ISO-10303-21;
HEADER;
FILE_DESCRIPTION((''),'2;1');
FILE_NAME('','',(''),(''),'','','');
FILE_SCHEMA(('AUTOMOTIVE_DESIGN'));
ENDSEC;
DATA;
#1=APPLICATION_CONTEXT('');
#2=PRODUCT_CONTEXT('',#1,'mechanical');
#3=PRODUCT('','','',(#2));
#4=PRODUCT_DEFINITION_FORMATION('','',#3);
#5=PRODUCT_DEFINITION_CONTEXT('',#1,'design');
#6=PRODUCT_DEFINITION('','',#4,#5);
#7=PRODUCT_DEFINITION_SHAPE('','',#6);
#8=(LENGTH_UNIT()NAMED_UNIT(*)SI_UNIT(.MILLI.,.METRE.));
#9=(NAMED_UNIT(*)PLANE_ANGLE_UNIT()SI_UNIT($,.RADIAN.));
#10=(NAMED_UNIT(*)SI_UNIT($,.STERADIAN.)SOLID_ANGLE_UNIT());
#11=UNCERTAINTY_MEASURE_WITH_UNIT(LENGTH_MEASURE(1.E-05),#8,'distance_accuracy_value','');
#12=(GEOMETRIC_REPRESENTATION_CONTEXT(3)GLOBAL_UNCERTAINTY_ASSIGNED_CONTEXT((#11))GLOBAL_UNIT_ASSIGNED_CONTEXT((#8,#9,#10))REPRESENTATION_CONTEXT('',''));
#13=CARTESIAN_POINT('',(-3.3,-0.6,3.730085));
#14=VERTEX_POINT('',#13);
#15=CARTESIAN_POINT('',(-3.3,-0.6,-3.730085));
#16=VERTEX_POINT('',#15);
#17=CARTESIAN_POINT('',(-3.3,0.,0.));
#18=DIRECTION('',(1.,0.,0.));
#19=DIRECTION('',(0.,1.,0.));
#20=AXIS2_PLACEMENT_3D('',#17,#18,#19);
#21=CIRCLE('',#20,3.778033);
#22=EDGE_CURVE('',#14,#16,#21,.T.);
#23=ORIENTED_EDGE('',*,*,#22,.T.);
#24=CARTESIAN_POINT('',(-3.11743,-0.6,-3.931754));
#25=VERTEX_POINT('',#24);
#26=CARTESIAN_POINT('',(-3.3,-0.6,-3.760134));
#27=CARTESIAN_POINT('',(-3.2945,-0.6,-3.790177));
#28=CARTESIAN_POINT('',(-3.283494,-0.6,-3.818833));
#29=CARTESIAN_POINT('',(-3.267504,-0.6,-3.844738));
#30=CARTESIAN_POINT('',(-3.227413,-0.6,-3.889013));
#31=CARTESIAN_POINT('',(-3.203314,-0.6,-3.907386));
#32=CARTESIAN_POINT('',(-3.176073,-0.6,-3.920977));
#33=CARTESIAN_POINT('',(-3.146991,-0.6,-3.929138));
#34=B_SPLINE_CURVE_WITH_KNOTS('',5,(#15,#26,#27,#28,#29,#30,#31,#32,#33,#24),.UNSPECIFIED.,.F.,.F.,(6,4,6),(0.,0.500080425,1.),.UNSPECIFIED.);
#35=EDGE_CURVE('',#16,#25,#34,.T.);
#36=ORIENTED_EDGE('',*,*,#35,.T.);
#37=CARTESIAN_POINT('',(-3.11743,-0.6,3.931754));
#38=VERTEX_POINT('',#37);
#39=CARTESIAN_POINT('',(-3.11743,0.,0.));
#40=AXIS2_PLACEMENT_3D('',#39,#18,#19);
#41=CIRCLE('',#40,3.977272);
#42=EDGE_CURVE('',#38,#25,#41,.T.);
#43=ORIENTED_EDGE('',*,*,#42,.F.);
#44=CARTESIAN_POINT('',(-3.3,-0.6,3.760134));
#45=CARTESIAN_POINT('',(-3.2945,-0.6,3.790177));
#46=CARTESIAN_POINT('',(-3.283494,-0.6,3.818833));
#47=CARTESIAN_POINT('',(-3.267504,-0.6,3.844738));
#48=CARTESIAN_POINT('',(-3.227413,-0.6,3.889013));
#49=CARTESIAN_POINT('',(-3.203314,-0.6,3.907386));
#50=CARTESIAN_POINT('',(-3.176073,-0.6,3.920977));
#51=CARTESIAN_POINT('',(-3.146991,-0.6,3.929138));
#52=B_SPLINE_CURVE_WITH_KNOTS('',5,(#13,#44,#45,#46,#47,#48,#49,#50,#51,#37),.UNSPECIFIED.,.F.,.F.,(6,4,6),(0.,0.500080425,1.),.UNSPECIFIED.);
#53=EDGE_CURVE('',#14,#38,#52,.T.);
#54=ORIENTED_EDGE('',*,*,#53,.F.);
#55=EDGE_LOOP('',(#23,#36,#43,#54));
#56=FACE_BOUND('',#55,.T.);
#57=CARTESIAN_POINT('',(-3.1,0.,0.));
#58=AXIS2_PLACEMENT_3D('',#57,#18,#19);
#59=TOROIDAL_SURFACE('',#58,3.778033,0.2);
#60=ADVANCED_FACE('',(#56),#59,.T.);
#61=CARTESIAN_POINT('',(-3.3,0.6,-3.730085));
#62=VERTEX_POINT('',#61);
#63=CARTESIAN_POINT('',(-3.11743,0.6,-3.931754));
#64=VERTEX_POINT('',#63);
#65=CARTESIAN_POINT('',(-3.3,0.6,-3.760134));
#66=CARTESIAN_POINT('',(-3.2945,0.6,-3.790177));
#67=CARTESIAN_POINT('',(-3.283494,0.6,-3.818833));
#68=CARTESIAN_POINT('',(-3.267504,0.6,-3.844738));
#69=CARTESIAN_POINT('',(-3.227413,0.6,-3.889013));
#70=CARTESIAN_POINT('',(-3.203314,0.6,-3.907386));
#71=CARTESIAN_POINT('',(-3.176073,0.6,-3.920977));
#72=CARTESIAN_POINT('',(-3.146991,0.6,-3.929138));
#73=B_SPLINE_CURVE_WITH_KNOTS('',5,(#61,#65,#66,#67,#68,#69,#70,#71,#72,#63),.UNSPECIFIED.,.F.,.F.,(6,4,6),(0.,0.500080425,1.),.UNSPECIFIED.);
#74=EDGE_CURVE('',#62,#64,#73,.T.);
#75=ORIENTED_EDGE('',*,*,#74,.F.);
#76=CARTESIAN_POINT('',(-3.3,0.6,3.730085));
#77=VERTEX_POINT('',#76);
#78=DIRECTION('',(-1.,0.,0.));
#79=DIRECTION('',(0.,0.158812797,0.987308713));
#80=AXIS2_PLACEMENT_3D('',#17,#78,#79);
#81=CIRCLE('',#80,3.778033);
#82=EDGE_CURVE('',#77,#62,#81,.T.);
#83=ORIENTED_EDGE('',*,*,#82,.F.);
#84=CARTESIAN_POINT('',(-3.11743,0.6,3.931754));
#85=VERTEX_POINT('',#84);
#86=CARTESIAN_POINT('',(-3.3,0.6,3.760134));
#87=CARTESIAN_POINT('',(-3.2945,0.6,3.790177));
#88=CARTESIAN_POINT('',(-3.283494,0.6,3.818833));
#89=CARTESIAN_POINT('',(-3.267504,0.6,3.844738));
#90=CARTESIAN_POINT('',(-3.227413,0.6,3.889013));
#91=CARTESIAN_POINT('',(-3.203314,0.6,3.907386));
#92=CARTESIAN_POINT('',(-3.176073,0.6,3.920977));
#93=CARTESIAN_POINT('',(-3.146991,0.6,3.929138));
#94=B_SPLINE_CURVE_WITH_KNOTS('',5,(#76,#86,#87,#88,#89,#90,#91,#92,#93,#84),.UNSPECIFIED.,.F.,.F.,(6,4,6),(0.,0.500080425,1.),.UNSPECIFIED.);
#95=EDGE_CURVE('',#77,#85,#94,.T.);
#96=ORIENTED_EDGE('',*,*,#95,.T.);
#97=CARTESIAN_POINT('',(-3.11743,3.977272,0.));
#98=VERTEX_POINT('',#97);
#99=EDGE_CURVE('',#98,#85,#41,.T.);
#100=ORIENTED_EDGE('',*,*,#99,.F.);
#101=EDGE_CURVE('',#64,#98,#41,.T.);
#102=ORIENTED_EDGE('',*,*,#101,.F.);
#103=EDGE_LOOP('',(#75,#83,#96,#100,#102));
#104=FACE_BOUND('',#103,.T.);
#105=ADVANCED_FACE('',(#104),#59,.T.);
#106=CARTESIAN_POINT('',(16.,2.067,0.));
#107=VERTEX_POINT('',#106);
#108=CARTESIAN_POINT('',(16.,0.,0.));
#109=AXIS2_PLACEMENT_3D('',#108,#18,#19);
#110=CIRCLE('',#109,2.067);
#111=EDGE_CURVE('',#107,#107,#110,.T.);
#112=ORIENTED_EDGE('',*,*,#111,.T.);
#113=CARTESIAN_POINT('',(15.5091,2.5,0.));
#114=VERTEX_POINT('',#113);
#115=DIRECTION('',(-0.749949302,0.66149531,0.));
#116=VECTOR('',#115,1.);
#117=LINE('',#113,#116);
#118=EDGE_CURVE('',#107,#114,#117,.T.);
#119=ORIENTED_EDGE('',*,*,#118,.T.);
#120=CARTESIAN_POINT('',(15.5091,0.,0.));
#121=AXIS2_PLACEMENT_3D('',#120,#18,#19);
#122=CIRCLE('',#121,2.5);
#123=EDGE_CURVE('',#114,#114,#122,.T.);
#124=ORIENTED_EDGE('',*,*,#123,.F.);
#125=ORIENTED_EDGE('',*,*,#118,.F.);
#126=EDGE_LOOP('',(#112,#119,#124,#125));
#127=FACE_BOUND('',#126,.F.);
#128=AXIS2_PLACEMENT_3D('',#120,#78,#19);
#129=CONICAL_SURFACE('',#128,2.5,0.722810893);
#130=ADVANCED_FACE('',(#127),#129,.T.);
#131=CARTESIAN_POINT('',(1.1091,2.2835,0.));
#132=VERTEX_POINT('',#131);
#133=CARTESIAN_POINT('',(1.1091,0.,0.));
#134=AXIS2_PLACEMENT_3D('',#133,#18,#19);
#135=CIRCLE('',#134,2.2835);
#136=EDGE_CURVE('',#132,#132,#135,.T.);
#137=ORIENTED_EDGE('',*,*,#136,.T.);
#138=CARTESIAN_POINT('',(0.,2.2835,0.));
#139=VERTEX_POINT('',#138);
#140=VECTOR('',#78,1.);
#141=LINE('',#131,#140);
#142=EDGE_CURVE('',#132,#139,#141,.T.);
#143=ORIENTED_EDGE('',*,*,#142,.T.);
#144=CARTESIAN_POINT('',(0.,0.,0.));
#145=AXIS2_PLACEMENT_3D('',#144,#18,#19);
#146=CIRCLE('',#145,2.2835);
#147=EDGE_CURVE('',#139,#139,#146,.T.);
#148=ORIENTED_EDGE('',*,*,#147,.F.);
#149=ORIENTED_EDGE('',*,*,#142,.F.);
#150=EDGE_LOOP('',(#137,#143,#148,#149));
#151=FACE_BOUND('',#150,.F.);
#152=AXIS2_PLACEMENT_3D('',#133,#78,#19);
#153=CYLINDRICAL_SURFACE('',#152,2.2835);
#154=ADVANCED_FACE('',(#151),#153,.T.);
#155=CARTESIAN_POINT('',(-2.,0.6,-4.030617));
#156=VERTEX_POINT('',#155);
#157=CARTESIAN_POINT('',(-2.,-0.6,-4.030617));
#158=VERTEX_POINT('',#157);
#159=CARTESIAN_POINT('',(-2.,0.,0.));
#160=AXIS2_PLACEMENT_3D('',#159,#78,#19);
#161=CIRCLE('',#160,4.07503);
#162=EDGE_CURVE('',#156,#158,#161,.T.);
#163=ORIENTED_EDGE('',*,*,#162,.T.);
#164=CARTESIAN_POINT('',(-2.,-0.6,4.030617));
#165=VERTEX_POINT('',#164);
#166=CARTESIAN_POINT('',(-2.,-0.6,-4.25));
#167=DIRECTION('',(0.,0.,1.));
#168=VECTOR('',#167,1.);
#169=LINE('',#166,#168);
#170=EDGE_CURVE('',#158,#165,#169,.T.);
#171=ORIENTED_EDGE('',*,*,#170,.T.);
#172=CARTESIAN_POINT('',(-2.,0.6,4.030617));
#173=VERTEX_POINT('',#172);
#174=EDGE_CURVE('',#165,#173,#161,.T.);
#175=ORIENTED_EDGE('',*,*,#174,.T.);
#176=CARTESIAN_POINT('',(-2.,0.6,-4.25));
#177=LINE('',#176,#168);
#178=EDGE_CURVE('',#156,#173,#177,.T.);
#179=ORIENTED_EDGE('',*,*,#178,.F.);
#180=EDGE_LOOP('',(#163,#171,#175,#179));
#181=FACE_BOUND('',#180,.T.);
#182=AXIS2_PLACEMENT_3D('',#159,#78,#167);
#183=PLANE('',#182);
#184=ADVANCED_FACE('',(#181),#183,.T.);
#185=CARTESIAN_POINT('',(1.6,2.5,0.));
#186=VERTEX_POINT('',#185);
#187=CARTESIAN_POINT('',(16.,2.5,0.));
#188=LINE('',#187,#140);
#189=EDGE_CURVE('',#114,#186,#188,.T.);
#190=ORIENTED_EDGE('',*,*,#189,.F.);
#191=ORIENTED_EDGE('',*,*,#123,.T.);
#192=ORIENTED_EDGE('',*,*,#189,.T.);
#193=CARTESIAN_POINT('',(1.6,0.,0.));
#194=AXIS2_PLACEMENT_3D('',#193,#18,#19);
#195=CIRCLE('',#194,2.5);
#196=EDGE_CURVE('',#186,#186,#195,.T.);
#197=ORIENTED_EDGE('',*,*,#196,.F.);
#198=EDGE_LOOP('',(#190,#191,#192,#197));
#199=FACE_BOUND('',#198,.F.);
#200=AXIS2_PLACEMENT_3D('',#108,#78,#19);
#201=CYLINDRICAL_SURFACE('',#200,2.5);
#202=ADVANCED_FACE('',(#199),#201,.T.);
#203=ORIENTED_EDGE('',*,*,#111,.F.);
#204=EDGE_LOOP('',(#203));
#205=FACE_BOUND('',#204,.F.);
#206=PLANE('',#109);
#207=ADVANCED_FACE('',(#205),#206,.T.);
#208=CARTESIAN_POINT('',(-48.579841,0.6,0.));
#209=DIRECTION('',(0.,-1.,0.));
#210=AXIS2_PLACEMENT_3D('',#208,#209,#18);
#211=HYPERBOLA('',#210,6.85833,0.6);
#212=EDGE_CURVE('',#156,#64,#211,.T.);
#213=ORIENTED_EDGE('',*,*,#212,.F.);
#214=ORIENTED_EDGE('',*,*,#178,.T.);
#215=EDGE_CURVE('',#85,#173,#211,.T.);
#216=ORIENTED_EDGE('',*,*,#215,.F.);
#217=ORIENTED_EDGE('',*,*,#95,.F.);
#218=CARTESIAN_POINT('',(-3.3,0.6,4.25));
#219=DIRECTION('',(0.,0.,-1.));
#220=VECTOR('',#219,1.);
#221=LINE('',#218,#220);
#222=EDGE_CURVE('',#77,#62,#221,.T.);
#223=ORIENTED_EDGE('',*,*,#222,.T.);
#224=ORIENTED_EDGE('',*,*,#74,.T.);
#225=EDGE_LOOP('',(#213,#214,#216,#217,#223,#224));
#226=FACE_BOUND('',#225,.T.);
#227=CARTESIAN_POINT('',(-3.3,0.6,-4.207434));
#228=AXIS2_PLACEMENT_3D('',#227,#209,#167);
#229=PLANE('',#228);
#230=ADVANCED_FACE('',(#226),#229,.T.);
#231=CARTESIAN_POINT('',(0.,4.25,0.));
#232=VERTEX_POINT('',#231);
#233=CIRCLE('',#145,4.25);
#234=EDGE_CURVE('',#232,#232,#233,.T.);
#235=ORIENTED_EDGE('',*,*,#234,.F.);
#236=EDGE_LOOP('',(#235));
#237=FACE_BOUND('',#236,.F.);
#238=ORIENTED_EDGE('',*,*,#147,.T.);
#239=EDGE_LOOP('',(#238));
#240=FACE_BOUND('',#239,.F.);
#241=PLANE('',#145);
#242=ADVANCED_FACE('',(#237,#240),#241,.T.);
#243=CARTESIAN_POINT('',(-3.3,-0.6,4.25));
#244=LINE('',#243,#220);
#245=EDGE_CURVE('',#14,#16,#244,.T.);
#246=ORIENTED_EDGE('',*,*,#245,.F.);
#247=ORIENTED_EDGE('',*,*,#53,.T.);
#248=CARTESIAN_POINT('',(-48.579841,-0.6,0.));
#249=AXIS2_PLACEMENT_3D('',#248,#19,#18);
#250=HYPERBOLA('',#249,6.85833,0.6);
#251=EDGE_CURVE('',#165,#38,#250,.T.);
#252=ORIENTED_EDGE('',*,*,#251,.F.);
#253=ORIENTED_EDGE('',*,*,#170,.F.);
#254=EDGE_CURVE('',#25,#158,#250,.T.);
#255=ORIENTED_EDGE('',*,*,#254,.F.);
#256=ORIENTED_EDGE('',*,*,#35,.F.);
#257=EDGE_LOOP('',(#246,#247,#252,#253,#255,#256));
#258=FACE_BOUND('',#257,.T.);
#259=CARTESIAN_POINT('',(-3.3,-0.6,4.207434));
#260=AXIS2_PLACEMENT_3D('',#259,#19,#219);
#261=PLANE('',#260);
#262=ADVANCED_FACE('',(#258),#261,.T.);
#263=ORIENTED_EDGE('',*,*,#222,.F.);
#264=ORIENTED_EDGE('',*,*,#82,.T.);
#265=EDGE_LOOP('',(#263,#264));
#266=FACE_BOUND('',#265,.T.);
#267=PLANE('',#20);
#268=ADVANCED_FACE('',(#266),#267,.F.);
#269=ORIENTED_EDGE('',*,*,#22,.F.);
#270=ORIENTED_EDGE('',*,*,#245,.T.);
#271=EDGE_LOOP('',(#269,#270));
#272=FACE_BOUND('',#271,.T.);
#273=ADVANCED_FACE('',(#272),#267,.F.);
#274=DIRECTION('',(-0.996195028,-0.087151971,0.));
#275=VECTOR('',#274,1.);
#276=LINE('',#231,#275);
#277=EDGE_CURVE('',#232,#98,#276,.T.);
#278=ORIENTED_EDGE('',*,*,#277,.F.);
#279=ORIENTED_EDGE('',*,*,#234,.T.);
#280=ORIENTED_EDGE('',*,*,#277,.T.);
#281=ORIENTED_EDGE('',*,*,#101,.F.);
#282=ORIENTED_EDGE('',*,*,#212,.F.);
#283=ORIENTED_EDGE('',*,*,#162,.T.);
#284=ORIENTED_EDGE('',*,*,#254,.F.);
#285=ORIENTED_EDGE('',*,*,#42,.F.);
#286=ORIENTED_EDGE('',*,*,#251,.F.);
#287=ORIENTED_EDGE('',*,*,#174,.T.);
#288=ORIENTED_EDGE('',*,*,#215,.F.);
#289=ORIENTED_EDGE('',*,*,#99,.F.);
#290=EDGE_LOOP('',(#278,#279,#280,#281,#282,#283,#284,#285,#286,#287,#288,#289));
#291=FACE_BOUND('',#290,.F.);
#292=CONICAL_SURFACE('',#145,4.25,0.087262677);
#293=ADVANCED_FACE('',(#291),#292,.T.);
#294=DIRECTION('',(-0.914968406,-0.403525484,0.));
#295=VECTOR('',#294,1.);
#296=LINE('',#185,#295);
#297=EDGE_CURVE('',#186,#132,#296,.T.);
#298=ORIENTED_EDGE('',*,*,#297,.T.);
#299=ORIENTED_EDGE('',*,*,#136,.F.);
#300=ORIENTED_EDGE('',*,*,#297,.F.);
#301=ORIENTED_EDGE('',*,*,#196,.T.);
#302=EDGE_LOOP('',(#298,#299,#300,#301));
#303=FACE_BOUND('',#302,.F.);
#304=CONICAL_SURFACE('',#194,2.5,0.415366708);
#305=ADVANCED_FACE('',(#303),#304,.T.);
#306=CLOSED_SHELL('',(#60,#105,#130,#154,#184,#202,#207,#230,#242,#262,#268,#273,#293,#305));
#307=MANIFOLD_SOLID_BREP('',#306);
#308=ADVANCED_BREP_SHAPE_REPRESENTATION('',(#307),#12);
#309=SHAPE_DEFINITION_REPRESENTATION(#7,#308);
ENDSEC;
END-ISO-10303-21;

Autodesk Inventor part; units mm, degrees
ref_plane "YZ Plane" through (0, 0, 0) normal (1, 0, 0) x (0, 1, 0)
ref_plane "XZ Plane" through (0, 0, 0) normal (0, 1, 0) x (-1, 0, 0)
sketch "Sketch1" plane through (0, 0, 0) normal (0, 0, 1) x (1, 0, 0)
  line L0 (-3.3, 0) -> (16, 0)
  line L1 (16, 0) -> (16, 2.5)
  line L2 (16, 2.5) -> (1.6, 2.5)
  line L3 (1.6, 2.5) -> (1.1091, 2.2835)
  line L4 (1.1091, 2.2835) -> (0, 2.2835)
  line L5 (0, 2.2835) -> (0, 4.25)
  line L6 (-7.16, 0) -> (19.86, 0) projected
  line L7 (0, -0.85) -> (0, 5.1) projected
  line L8 (-3.3, 0) -> (-3.3, 3.9613)
  line L9 (0, 4.25) -> (-3.3, 3.9613)
  line L10 (1.6, 2.5) -> (0, 2.5) construction
  dimension "d0" = 16
  dimension "d1" = 14.4
  dimension "d2" = 0.4909
  dimension "d3" = 3.3
  dimension "d4" = 5
  dimension "d5" = 4.567
  dimension "d9" = 8.5
  dimension "d10" = 5
revolve "Body" add sketch "Sketch1" angle 360 about axis through (-3.3, 0, 0) along (1, 0, 0)
sketch "Sketch2" plane through (-3.3, 0, 0) normal (-1, 0, 0) x (0, 0, 1)
  circle A0 centre (0, 0) radius 4.25 projected
  line L0 (0, 0) -> (0, 3.9613) projected
  line L1 (-4.25, 0.6) -> (4.25, 0.6)
  line L2 (4.25, 0.6) -> (4.25, -0.6)
  line L3 (4.25, -0.6) -> (-4.25, -0.6)
  line L4 (-4.25, -0.6) -> (-4.25, 0.6)
  line L5 (-4.25, 0) -> (4.25, 0) construction
  line L6 (0, 0.6) -> (0, -0.6) construction
  dimension "d11" = 1.2
  dimension "d12" = 8.5
fillet "Fillet1" radius 0.2 1 edges at (-3.3, -3.9613, 0)
extrude "Slot" cut sketch "Sketch2" against normal blind 1.3 contours A0 L3 L1 | L2 L3 A0 | A0 L1 L2 | A0 L4 L1 | L3 L4 A0
thread "Thread" size "M5x0.8" class "6g" standard "ISO Metric profile" length 14.4
chamfer "Chamfer1" distance 0.433 distance2 0.4909 1 edges at (16, -2.5, 0) measured on face at (16, 1.1374, -0.426)
ref_plane "Work Plane1" through (30.1625, 0, 0) normal (0, 0, -1) x (1, 0, 0)
equation "\"d11\" = SBR"
equation "\"d12\" = KOD"
equation "\"d14\" = RR"
equation "\"d19\" = STI"
equation "\"d15\" = GEL"
equation "\"d17\" = -0.5 * SPD + 0.5 * GD"
equation "\"d0\" = NLG"
equation "\"d1\" = GEL"
equation "\"d3\" = KOH"
equation "\"d4\" = GD"
equation "\"d5\" = BDM"
equation "\"d9\" = KOD"
equation "\"d10\" = KEWI"
equation "\"GD\" = 5"
equation "\"NLG\" = 16"
equation "\"GEL\" = 14.4"
equation "\"KOD\" = 8.5"
equation "\"KOH\" = 3.3"
equation "\"GAL\" = 0.61345 * PTC"
equation "\"SPD\" = 4.13397"
equation "\"BDM\" = 4.56699"
equation "\"GUL\" = 0.61345 * PTC"
equation "\"RR\" = 0.2"
equation "\"SBR\" = 1.2"
equation "\"STI\" = 1.3"
equation "\"KEWI\" = 5deg"
equation "\"PTC\" = 0.8"
equation "\"THREADDIA\" = 5"
equation "\"TOA\" = 30deg"
equation "\"NND\" = 5"
equation "\"GD1\" = THREADDIA - 1.2269 * PTC"
properties part number "DIN 84 - M5 x 16" material "Steel, Mild"
